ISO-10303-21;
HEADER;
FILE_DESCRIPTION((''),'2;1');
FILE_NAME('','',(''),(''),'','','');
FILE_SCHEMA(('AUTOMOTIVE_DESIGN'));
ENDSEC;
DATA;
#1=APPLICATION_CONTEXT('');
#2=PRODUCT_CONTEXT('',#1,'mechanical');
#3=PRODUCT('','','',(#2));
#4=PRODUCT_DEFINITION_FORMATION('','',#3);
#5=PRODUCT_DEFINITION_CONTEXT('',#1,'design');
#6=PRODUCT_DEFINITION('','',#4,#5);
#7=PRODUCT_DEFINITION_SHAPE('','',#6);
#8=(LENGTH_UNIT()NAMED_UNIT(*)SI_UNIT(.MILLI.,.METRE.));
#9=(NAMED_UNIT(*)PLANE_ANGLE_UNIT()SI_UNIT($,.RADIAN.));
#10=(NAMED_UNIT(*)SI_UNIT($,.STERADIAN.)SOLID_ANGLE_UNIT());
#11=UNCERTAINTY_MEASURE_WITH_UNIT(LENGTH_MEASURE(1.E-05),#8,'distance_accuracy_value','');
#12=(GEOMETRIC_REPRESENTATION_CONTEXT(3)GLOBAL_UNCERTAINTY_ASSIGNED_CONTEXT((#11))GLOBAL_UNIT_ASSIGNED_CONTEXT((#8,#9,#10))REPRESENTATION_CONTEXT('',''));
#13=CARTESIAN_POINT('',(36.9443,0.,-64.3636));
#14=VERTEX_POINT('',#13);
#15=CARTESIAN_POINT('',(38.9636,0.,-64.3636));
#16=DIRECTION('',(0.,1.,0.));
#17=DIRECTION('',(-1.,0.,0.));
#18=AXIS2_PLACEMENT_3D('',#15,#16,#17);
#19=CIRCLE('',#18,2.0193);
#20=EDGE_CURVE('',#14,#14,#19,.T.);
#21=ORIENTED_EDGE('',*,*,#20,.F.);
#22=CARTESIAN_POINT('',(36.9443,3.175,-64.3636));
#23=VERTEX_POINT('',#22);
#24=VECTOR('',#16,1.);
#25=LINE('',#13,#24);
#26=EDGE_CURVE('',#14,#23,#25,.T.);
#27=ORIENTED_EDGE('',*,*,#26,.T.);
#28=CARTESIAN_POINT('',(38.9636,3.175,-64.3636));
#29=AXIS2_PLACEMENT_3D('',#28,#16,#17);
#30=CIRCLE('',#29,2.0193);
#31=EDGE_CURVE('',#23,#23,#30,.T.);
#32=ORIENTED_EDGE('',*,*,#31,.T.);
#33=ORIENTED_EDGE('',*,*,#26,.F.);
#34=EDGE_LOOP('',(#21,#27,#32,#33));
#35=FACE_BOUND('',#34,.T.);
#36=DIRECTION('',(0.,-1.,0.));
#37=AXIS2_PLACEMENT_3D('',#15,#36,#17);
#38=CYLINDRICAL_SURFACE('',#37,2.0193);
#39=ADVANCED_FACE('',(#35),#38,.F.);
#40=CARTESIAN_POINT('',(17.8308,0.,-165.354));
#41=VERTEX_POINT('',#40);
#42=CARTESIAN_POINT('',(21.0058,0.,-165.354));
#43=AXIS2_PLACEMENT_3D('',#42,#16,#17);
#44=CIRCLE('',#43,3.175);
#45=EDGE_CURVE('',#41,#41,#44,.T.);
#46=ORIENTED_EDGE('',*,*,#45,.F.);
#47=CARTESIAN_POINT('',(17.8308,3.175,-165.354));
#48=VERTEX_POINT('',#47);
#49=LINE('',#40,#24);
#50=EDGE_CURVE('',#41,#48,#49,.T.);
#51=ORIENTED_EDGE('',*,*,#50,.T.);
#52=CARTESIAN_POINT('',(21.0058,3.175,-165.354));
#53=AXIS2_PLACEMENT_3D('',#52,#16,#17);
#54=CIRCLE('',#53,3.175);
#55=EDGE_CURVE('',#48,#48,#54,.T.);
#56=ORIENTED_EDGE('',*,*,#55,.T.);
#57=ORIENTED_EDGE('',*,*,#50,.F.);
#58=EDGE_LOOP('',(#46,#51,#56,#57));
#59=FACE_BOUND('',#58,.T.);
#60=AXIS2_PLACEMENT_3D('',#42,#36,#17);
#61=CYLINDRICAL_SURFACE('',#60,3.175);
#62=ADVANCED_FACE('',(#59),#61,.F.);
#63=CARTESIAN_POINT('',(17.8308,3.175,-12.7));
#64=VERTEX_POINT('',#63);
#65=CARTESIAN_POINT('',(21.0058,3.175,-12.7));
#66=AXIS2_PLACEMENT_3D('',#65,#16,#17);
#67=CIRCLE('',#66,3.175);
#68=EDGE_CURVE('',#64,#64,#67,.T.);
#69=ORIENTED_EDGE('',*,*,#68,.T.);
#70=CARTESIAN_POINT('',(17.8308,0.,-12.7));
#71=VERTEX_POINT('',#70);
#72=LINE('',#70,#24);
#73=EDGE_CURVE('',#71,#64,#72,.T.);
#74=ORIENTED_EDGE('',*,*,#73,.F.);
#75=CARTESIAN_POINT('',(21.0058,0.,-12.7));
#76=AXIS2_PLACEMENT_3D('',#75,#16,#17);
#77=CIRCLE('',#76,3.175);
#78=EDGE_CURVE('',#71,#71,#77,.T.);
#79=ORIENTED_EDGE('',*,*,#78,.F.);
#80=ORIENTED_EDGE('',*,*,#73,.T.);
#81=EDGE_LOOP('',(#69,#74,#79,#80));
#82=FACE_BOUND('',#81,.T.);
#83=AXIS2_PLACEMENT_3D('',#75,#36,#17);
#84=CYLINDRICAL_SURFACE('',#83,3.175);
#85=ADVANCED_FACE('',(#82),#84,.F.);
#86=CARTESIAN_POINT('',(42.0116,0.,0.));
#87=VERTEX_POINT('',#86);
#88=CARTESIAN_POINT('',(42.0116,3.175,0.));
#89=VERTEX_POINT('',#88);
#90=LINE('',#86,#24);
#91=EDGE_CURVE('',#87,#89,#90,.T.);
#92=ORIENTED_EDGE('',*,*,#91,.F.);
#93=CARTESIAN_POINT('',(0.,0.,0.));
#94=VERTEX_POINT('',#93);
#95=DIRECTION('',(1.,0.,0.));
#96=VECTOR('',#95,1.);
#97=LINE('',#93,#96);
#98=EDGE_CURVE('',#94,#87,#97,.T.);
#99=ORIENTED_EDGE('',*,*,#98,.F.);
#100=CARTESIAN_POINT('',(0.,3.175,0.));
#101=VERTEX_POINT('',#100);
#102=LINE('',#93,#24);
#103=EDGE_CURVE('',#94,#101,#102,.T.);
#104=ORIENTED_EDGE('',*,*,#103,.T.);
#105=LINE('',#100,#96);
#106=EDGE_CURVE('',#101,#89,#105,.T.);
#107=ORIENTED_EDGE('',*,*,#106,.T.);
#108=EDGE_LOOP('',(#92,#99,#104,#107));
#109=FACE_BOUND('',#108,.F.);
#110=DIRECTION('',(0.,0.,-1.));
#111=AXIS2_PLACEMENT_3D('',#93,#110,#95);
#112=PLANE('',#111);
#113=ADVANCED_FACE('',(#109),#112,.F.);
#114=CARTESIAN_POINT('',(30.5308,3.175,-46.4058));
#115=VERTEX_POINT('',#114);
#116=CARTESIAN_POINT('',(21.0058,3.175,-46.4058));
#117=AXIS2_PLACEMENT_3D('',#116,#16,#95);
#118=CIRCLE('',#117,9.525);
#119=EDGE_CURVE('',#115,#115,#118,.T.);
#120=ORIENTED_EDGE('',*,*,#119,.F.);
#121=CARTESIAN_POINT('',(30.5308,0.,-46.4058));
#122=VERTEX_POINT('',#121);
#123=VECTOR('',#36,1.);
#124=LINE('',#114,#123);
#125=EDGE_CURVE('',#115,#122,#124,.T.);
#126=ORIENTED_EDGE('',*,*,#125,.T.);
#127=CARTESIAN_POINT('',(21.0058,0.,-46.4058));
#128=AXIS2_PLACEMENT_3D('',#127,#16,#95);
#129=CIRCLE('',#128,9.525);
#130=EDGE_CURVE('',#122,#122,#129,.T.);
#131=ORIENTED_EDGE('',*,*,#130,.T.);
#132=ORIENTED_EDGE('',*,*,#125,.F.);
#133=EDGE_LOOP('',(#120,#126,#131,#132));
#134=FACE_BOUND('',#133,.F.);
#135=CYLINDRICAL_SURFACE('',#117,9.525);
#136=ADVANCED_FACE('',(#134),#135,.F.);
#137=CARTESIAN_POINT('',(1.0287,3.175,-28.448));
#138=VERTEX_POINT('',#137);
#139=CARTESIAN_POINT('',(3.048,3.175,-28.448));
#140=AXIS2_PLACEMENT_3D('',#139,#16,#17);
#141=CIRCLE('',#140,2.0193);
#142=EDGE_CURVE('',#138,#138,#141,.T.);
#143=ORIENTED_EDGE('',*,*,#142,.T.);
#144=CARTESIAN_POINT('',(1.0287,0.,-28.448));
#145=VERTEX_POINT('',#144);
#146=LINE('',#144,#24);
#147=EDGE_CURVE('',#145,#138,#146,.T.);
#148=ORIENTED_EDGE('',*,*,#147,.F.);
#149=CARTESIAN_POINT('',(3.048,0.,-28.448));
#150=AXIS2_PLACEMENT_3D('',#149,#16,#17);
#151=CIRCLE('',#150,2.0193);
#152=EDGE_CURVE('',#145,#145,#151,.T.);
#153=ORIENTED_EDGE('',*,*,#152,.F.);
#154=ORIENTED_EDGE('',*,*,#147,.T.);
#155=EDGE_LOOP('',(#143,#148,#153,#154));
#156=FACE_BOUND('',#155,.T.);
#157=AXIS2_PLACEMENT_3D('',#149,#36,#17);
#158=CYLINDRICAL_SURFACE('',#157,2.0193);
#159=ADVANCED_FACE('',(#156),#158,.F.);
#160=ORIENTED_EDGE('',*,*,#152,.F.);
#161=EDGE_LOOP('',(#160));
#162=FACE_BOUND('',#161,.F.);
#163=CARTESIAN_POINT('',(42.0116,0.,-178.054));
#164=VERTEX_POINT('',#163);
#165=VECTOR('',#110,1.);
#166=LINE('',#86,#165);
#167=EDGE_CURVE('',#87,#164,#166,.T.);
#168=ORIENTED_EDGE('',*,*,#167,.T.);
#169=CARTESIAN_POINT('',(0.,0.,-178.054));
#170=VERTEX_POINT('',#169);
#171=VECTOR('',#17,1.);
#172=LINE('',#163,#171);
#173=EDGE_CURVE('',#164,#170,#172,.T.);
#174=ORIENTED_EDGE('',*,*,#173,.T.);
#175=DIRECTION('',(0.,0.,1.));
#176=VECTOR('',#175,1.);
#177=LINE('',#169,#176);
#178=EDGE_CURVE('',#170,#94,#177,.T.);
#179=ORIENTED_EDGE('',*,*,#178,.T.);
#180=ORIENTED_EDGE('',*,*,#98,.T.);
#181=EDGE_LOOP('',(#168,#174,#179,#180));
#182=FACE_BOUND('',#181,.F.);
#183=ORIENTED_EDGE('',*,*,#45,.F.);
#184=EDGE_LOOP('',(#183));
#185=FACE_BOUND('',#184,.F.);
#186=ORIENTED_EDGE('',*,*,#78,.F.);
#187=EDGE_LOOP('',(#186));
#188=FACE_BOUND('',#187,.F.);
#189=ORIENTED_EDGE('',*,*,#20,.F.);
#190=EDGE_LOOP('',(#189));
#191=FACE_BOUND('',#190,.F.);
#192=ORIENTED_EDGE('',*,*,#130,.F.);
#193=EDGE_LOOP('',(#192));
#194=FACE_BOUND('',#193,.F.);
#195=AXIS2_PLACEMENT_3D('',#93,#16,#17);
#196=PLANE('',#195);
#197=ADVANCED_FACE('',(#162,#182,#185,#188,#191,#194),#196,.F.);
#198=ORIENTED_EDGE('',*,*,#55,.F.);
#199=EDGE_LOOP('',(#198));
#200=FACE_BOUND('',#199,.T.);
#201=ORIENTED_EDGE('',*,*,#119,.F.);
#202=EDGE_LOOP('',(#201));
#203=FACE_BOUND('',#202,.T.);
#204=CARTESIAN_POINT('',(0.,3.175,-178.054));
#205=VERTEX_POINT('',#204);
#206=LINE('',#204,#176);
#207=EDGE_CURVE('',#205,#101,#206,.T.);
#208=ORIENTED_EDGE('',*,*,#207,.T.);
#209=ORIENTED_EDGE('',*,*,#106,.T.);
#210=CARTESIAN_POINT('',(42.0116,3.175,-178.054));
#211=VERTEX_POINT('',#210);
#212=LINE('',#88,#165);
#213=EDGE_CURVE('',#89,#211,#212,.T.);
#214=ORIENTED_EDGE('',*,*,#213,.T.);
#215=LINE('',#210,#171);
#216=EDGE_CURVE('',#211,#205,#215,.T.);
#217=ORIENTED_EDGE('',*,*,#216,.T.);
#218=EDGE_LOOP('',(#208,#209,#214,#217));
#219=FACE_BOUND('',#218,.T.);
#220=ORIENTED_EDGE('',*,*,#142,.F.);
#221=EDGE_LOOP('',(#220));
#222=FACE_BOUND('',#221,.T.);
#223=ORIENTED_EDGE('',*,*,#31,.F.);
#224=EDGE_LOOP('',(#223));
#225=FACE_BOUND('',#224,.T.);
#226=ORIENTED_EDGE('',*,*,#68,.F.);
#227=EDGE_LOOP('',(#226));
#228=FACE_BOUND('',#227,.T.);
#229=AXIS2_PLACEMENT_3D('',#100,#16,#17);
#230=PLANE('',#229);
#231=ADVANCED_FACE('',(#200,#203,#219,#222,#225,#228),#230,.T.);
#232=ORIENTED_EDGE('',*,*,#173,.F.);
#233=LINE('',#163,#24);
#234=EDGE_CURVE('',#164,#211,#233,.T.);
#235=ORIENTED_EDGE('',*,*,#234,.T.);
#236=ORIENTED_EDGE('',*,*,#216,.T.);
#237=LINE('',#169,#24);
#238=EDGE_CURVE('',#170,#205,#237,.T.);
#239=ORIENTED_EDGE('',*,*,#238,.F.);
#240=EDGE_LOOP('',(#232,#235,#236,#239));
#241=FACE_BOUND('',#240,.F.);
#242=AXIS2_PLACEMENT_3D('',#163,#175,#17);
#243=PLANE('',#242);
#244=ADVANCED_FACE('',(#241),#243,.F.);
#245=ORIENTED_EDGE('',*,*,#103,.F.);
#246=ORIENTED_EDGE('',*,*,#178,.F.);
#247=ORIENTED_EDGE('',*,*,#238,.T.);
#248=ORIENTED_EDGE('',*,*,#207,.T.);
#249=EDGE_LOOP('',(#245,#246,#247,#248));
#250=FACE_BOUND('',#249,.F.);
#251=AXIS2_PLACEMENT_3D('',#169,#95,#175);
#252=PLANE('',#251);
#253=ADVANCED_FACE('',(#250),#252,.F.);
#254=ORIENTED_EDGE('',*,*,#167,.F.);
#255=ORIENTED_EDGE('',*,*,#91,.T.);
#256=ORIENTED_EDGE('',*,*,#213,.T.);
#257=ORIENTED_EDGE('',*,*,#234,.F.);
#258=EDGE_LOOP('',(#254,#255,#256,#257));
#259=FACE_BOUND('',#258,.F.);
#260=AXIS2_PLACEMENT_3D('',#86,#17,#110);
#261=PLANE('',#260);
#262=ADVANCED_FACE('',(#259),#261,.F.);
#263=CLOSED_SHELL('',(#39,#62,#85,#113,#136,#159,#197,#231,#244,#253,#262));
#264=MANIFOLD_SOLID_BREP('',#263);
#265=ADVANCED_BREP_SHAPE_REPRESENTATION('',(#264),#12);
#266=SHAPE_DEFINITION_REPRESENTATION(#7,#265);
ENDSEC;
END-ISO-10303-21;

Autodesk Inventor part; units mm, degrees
ref_plane "YZ Plane" through (0, 0, 0) normal (1, 0, 0) x (0, 1, 0)
ref_plane "XZ Plane" through (0, 0, 0) normal (0, 1, 0) x (-1, 0, 0)
ref_plane "XY Plane" through (0, 0, 0) normal (0, 0, 1) x (1, 0, 0)
sketch "Sketch1" plane through (0, 0, 0) normal (0, 1, 0) x (-1, 0, 0)
  line L0 (0, 0) -> (-42.0116, 0)
  line L1 (-42.0116, 0) -> (-42.0116, -178.054)
  line L2 (-42.0116, -178.054) -> (0, -178.054)
  line L3 (0, -178.054) -> (0, 0)
  circle A0 centre (-21.0058, -12.7) radius 3.175
  circle A1 centre (-21.0058, -165.354) radius 3.175
  circle A2 centre (-3.048, -28.448) radius 2.0193
  circle A3 centre (-38.9636, -64.3636) radius 2.0193
  dimension "d0" = 42.0116
  dimension "d1" = 178.054
  dimension "d2" = 12.7
  dimension "d3" = 12.7
  dimension "d4" = 6.35
  dimension "d5" = 21.0058
  dimension "d6" = 21.0058
  dimension "d7" = 6.35
  dimension "d8" = 28.448
  dimension "d9" = 3.048
  dimension "d10" = 4.0386
  dimension "d11" = 4.0386
  dimension "d12" = 64.3636
  dimension "d13" = 3.048
extrude "Extrusion1" add sketch "Sketch1" along normal blind 3.175
sketch "Sketch2" plane through (0, 3.175, 0) normal (0, 1, 0) x (1, 0, 0)
  circle A0 centre (21.0058, 46.4058) radius 9.525
  line L0 (0, 178.054) -> (0, 0) projected
  line L1 (0, 0) -> (42.0116, 0) projected
  dimension "d16" = 19.05
  dimension "d17" = 21.0058
  dimension "d18" = 46.4058
extrude "Extrusion2" cut sketch "Sketch2" against normal blind 7.9375
properties part number "BAG motor top plate"
